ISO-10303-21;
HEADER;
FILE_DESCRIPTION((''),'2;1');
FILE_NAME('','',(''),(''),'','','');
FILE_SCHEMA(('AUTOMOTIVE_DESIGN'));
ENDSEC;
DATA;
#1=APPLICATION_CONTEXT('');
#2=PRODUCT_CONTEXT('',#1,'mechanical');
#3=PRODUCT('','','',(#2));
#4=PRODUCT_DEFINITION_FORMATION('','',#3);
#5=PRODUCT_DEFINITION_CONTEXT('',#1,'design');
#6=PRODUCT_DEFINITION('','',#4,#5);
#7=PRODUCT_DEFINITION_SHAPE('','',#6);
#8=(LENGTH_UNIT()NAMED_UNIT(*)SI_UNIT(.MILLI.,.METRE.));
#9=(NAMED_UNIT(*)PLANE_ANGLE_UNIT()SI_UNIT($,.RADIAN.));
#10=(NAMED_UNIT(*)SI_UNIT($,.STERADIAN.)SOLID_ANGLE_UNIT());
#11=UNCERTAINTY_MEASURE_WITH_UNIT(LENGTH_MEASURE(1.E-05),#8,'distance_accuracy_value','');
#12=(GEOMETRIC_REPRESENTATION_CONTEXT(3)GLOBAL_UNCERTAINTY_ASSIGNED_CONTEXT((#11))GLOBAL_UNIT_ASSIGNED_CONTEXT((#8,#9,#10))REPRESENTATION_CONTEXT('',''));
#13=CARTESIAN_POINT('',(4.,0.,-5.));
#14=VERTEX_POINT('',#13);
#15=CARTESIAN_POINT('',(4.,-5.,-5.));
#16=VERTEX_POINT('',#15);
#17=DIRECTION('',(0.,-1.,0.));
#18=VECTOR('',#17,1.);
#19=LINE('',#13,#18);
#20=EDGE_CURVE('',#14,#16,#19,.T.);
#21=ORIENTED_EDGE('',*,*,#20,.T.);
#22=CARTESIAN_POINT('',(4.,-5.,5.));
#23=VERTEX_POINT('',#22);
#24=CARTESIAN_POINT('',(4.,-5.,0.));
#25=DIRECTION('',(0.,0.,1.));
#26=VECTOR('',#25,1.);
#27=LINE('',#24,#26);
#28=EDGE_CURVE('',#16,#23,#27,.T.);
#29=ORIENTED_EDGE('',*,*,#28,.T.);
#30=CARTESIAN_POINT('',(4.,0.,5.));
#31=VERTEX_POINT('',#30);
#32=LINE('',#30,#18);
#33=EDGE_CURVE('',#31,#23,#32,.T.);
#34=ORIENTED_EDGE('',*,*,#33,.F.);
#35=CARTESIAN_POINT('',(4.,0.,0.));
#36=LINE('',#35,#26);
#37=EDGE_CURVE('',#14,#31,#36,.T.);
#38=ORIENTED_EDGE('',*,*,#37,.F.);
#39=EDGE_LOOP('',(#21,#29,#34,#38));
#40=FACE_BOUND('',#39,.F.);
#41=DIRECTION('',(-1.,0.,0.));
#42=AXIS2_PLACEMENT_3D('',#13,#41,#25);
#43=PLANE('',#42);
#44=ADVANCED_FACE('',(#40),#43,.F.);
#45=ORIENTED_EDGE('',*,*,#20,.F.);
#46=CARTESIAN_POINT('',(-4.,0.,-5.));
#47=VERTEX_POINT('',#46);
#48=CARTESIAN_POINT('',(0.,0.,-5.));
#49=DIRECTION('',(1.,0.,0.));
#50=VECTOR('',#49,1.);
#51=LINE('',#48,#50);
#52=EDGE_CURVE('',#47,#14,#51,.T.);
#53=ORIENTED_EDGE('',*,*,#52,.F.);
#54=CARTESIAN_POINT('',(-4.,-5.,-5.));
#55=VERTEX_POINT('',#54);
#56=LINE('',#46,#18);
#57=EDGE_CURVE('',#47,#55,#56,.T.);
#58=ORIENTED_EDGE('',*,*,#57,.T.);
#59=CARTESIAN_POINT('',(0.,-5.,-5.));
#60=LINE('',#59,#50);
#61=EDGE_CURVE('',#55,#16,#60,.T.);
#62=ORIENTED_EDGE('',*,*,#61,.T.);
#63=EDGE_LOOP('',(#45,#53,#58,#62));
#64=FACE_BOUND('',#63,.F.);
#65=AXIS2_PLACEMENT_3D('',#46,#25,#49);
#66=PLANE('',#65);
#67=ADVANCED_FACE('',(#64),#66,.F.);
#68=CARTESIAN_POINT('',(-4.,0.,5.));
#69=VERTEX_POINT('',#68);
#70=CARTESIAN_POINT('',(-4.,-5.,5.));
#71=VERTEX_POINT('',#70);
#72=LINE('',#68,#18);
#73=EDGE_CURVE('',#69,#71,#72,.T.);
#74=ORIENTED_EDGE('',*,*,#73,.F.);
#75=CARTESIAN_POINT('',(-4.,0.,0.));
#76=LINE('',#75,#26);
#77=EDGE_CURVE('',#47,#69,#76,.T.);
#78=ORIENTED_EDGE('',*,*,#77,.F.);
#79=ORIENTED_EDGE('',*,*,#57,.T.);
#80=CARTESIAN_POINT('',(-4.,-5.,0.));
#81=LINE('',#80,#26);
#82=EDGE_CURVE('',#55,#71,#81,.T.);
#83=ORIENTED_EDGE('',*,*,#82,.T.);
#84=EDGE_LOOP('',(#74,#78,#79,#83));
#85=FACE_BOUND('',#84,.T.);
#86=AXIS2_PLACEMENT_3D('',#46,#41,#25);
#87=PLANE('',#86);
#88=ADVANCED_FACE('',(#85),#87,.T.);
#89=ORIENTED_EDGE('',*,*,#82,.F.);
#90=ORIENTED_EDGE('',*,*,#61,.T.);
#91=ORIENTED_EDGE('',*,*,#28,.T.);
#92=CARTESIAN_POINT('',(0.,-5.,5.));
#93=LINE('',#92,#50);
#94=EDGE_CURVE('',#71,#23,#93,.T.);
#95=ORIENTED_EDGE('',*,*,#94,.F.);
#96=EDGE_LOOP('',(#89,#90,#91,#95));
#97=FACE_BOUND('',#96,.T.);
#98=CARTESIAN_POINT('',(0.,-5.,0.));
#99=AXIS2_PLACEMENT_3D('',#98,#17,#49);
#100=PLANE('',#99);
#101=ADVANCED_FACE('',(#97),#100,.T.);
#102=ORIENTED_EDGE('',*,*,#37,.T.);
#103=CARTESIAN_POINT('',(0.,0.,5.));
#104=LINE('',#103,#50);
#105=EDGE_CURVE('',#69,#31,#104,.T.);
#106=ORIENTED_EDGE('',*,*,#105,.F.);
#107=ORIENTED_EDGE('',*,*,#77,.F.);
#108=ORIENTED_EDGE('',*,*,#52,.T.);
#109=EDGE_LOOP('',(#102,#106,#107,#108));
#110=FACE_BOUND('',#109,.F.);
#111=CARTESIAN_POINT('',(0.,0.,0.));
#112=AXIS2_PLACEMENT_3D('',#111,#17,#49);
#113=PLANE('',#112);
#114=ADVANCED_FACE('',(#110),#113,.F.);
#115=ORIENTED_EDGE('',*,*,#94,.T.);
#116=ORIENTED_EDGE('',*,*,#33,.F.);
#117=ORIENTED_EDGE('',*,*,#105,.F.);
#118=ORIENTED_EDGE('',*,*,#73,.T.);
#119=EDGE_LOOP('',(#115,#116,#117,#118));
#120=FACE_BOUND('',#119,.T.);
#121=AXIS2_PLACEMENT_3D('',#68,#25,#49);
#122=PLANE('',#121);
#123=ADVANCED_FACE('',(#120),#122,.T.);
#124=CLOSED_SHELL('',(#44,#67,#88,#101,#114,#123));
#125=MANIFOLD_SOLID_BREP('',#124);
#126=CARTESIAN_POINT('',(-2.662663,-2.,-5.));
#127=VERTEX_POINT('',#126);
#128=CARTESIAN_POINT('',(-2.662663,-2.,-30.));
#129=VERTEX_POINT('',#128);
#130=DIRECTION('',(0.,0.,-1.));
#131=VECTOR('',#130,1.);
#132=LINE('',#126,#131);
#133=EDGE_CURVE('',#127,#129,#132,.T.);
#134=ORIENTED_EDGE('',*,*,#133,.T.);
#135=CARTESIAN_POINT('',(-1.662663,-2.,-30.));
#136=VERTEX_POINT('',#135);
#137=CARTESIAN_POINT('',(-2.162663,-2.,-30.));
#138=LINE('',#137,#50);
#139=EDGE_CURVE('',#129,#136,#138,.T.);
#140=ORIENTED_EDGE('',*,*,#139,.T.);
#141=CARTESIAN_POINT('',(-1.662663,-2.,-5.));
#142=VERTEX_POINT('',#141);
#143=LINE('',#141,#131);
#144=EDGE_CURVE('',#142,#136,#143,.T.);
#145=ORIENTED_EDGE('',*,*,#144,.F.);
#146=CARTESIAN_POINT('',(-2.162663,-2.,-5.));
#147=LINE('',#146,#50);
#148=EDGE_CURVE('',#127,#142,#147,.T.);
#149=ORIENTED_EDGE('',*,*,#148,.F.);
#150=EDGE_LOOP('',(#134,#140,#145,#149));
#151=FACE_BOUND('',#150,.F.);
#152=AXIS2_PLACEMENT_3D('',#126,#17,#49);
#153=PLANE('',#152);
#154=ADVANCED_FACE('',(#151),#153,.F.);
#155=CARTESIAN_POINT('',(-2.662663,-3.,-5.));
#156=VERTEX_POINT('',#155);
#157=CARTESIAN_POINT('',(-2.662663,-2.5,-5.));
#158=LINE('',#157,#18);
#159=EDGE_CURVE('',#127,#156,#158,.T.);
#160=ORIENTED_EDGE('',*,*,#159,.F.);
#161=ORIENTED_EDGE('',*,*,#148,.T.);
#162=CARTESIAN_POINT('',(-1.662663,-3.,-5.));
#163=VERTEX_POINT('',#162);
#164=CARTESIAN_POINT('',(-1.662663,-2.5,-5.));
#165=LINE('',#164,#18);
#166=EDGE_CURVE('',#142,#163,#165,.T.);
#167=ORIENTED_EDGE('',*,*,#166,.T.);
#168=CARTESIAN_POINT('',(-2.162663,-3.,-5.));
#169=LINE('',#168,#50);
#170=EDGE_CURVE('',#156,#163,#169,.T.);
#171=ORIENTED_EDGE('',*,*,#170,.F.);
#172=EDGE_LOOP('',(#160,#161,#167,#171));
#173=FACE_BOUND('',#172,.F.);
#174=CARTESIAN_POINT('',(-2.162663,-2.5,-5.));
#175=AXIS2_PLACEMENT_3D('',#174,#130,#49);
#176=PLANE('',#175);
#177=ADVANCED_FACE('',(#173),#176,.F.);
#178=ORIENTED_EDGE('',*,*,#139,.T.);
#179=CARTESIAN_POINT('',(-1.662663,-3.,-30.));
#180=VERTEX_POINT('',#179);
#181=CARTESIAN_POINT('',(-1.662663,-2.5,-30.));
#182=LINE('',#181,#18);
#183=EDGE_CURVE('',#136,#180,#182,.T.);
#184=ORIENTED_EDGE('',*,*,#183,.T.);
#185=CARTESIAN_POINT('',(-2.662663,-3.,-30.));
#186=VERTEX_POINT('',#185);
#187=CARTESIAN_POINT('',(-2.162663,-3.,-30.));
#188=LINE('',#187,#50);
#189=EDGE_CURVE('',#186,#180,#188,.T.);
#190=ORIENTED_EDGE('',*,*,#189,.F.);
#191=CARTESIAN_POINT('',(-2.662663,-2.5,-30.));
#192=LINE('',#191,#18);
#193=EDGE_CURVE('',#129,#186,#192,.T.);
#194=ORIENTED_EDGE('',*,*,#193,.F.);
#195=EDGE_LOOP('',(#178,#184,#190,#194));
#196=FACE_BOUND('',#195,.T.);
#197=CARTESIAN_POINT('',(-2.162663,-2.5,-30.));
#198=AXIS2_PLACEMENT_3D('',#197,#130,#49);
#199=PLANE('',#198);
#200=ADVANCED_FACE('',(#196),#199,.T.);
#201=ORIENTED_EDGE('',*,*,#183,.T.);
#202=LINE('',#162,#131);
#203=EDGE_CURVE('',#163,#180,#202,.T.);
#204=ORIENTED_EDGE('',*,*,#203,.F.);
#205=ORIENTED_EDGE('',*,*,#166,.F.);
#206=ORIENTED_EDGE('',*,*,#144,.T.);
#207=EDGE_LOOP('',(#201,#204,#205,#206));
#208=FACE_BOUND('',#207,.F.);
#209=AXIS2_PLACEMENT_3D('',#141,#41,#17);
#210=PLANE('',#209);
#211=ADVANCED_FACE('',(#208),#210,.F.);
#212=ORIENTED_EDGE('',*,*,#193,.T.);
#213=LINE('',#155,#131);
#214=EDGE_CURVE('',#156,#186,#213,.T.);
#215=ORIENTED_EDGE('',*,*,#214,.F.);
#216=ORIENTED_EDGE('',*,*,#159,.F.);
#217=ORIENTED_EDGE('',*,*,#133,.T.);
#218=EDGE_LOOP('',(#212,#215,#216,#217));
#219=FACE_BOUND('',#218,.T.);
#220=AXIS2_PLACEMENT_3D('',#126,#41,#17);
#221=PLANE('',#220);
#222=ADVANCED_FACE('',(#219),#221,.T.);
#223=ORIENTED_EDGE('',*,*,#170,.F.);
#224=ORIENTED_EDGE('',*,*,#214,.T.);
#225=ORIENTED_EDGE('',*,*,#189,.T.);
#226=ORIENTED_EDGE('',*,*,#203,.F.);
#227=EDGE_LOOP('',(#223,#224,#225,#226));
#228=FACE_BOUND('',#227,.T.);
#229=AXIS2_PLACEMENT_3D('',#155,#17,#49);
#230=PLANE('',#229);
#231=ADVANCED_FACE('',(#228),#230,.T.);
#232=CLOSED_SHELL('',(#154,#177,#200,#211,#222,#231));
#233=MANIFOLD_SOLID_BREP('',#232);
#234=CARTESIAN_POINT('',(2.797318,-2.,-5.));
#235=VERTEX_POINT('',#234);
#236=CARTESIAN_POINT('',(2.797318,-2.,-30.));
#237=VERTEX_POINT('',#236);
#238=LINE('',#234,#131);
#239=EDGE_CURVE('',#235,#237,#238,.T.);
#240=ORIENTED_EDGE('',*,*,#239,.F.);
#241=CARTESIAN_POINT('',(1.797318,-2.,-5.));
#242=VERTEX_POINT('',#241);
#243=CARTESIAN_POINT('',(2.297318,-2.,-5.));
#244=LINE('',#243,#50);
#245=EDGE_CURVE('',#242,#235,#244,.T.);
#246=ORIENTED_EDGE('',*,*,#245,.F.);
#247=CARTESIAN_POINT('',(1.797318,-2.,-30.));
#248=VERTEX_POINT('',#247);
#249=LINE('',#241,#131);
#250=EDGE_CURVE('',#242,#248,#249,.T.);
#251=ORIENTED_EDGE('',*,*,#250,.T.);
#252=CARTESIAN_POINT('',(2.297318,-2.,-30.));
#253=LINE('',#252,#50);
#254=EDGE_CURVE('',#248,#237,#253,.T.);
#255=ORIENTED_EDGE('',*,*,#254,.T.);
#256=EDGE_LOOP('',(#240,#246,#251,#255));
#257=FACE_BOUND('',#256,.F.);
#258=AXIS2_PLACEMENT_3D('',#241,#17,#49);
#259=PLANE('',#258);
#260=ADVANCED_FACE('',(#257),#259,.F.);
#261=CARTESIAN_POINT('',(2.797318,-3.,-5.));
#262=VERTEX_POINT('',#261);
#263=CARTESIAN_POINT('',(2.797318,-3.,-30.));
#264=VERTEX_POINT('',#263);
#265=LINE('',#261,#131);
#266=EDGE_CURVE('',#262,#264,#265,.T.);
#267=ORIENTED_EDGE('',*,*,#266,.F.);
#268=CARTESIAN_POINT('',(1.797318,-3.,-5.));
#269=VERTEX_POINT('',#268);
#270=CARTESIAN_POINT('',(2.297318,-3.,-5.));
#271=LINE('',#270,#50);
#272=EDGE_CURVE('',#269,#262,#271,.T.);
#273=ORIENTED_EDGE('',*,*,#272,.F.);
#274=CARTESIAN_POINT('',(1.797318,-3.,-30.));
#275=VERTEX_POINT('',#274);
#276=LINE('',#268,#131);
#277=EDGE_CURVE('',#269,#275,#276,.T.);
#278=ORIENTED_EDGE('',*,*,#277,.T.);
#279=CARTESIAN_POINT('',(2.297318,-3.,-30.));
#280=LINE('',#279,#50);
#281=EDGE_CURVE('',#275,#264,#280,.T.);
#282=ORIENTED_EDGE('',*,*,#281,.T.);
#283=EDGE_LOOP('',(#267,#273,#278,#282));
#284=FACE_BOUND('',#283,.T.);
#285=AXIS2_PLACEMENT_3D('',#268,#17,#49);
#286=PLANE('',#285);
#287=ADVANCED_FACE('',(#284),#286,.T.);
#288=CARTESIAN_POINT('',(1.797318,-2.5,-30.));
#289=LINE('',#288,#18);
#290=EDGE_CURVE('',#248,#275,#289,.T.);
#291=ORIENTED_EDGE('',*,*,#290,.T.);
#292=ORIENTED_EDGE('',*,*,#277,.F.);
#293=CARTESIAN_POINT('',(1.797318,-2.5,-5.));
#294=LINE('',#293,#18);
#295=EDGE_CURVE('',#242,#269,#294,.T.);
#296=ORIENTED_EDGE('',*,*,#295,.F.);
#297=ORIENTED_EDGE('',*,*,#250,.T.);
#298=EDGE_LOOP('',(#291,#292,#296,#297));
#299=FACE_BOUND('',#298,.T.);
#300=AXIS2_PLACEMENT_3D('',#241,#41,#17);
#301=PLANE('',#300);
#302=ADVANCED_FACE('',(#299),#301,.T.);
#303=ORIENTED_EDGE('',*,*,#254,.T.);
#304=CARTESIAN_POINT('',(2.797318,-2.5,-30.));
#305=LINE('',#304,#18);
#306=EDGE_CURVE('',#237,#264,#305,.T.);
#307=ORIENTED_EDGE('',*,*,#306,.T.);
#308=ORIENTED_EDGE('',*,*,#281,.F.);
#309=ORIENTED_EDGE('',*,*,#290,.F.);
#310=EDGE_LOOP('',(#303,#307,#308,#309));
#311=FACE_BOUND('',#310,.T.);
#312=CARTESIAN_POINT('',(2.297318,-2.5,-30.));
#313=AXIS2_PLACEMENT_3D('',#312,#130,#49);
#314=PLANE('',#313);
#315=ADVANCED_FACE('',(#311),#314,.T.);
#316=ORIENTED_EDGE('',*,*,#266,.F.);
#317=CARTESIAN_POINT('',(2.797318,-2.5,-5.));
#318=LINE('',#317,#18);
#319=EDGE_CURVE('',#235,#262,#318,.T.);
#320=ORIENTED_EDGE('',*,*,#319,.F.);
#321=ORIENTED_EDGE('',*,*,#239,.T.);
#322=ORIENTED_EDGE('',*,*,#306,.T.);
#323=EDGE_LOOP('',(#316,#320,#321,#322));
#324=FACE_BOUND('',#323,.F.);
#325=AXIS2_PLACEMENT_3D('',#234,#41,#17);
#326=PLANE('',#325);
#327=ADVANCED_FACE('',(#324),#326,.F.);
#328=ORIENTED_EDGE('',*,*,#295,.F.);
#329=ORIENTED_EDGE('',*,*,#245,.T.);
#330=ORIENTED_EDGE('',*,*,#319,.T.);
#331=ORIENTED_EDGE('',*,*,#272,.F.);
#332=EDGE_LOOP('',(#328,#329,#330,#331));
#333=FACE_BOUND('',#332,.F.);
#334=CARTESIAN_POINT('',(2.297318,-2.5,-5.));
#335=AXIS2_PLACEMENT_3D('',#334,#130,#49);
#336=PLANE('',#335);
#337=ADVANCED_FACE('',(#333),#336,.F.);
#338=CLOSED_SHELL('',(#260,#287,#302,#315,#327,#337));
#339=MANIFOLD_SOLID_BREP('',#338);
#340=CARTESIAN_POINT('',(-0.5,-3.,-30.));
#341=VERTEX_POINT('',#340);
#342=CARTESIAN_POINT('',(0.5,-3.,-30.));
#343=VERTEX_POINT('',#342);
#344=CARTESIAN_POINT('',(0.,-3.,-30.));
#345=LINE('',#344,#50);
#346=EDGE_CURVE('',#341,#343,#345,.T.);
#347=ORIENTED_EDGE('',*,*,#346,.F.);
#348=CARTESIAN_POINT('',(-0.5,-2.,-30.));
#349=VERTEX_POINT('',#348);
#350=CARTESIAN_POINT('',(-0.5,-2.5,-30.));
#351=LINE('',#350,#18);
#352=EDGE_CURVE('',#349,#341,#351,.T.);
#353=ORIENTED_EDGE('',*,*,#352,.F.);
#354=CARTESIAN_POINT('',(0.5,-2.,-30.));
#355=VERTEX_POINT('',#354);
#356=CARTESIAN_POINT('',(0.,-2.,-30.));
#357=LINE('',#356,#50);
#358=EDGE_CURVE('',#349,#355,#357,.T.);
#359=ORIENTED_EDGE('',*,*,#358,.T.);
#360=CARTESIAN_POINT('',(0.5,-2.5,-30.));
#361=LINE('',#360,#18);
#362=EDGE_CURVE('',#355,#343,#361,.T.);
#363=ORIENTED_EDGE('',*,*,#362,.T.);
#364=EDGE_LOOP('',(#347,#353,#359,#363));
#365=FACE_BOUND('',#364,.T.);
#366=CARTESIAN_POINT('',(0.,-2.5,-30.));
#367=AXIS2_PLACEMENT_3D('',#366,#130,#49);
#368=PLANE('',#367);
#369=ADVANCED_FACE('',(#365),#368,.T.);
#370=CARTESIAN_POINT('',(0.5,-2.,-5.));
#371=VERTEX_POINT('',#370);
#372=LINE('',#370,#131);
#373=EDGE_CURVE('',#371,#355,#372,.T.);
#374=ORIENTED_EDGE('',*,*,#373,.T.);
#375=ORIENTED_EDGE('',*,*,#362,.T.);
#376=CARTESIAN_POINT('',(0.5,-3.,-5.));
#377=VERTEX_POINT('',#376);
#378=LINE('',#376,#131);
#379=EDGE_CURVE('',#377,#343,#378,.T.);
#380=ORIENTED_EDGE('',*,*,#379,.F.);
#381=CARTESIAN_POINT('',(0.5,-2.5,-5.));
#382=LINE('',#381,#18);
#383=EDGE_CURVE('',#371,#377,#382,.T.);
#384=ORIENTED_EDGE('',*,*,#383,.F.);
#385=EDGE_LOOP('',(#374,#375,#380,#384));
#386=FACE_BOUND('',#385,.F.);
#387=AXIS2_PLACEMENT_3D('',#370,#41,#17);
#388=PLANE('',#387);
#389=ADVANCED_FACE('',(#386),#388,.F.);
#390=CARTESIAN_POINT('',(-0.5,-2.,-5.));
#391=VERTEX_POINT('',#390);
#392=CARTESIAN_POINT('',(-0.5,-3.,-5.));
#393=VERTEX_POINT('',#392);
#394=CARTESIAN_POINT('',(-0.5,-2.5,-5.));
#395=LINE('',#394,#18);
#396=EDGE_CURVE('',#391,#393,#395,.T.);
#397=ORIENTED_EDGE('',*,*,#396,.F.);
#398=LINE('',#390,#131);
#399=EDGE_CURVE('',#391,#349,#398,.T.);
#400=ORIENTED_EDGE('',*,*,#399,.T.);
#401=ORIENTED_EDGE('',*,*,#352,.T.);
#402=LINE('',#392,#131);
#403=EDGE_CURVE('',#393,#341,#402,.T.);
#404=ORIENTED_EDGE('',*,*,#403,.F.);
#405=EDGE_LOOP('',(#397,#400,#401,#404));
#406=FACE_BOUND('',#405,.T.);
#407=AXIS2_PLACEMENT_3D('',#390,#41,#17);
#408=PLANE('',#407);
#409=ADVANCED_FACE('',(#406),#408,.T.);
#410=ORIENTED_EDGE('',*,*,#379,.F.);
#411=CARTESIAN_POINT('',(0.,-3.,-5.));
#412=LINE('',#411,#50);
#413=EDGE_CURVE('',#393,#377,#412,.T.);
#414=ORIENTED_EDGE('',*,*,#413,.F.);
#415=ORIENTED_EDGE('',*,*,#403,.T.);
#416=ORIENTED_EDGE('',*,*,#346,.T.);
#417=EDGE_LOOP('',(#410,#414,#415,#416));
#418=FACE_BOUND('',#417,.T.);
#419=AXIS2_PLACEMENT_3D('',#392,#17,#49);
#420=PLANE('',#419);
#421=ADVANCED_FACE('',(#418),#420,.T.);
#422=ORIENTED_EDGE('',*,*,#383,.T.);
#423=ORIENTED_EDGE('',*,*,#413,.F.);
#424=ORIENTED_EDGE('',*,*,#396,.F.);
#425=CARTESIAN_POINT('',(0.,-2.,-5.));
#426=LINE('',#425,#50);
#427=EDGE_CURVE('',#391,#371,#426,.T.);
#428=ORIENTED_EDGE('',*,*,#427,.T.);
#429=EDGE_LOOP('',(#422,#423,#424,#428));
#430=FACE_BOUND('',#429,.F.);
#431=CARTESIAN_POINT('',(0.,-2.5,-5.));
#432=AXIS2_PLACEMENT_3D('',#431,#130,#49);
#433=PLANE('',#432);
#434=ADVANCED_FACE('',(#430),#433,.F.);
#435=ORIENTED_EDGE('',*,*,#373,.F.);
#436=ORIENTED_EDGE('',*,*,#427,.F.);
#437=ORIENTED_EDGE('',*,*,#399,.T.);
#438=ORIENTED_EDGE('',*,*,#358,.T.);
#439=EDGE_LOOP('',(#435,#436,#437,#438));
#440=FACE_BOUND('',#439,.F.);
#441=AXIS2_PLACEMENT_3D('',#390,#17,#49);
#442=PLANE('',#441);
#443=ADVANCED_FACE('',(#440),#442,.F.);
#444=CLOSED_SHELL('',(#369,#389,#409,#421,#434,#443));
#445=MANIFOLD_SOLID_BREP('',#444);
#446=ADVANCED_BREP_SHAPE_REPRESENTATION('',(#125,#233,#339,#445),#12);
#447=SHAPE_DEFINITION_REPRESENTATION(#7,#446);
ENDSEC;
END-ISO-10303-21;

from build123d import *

# Parameters (mm, degrees)
F0_W     = 8
F0_H     = 10
F1_DEPTH = 5
F2_W     = 1
F2_H     = 1
F3_DEPTH = 25


with BuildPart() as f1:
    # F0 (on Front) → F1 (new body)
    with BuildSketch(Plane.XZ):
        Rectangle(F0_W, F0_H)
    extrude(amount=F1_DEPTH)


with BuildPart() as f3:
    # F2 (on face) → F3 (new body)
    with BuildSketch(Plane(origin=(0, 0, -5), x_dir=(1, 0, 0), z_dir=(0, 0, -1))):
        with Locations((0, 2.5)):
            Rectangle(F2_W, F2_H)
        with Locations((2.297318, 2.5)):
            Rectangle(F2_W, F2_H)
        with Locations((-2.162663, 2.5)):
            Rectangle(F2_W, F2_H)
    extrude(amount=F3_DEPTH)


solid = Compound([f1.part, f3.part])
